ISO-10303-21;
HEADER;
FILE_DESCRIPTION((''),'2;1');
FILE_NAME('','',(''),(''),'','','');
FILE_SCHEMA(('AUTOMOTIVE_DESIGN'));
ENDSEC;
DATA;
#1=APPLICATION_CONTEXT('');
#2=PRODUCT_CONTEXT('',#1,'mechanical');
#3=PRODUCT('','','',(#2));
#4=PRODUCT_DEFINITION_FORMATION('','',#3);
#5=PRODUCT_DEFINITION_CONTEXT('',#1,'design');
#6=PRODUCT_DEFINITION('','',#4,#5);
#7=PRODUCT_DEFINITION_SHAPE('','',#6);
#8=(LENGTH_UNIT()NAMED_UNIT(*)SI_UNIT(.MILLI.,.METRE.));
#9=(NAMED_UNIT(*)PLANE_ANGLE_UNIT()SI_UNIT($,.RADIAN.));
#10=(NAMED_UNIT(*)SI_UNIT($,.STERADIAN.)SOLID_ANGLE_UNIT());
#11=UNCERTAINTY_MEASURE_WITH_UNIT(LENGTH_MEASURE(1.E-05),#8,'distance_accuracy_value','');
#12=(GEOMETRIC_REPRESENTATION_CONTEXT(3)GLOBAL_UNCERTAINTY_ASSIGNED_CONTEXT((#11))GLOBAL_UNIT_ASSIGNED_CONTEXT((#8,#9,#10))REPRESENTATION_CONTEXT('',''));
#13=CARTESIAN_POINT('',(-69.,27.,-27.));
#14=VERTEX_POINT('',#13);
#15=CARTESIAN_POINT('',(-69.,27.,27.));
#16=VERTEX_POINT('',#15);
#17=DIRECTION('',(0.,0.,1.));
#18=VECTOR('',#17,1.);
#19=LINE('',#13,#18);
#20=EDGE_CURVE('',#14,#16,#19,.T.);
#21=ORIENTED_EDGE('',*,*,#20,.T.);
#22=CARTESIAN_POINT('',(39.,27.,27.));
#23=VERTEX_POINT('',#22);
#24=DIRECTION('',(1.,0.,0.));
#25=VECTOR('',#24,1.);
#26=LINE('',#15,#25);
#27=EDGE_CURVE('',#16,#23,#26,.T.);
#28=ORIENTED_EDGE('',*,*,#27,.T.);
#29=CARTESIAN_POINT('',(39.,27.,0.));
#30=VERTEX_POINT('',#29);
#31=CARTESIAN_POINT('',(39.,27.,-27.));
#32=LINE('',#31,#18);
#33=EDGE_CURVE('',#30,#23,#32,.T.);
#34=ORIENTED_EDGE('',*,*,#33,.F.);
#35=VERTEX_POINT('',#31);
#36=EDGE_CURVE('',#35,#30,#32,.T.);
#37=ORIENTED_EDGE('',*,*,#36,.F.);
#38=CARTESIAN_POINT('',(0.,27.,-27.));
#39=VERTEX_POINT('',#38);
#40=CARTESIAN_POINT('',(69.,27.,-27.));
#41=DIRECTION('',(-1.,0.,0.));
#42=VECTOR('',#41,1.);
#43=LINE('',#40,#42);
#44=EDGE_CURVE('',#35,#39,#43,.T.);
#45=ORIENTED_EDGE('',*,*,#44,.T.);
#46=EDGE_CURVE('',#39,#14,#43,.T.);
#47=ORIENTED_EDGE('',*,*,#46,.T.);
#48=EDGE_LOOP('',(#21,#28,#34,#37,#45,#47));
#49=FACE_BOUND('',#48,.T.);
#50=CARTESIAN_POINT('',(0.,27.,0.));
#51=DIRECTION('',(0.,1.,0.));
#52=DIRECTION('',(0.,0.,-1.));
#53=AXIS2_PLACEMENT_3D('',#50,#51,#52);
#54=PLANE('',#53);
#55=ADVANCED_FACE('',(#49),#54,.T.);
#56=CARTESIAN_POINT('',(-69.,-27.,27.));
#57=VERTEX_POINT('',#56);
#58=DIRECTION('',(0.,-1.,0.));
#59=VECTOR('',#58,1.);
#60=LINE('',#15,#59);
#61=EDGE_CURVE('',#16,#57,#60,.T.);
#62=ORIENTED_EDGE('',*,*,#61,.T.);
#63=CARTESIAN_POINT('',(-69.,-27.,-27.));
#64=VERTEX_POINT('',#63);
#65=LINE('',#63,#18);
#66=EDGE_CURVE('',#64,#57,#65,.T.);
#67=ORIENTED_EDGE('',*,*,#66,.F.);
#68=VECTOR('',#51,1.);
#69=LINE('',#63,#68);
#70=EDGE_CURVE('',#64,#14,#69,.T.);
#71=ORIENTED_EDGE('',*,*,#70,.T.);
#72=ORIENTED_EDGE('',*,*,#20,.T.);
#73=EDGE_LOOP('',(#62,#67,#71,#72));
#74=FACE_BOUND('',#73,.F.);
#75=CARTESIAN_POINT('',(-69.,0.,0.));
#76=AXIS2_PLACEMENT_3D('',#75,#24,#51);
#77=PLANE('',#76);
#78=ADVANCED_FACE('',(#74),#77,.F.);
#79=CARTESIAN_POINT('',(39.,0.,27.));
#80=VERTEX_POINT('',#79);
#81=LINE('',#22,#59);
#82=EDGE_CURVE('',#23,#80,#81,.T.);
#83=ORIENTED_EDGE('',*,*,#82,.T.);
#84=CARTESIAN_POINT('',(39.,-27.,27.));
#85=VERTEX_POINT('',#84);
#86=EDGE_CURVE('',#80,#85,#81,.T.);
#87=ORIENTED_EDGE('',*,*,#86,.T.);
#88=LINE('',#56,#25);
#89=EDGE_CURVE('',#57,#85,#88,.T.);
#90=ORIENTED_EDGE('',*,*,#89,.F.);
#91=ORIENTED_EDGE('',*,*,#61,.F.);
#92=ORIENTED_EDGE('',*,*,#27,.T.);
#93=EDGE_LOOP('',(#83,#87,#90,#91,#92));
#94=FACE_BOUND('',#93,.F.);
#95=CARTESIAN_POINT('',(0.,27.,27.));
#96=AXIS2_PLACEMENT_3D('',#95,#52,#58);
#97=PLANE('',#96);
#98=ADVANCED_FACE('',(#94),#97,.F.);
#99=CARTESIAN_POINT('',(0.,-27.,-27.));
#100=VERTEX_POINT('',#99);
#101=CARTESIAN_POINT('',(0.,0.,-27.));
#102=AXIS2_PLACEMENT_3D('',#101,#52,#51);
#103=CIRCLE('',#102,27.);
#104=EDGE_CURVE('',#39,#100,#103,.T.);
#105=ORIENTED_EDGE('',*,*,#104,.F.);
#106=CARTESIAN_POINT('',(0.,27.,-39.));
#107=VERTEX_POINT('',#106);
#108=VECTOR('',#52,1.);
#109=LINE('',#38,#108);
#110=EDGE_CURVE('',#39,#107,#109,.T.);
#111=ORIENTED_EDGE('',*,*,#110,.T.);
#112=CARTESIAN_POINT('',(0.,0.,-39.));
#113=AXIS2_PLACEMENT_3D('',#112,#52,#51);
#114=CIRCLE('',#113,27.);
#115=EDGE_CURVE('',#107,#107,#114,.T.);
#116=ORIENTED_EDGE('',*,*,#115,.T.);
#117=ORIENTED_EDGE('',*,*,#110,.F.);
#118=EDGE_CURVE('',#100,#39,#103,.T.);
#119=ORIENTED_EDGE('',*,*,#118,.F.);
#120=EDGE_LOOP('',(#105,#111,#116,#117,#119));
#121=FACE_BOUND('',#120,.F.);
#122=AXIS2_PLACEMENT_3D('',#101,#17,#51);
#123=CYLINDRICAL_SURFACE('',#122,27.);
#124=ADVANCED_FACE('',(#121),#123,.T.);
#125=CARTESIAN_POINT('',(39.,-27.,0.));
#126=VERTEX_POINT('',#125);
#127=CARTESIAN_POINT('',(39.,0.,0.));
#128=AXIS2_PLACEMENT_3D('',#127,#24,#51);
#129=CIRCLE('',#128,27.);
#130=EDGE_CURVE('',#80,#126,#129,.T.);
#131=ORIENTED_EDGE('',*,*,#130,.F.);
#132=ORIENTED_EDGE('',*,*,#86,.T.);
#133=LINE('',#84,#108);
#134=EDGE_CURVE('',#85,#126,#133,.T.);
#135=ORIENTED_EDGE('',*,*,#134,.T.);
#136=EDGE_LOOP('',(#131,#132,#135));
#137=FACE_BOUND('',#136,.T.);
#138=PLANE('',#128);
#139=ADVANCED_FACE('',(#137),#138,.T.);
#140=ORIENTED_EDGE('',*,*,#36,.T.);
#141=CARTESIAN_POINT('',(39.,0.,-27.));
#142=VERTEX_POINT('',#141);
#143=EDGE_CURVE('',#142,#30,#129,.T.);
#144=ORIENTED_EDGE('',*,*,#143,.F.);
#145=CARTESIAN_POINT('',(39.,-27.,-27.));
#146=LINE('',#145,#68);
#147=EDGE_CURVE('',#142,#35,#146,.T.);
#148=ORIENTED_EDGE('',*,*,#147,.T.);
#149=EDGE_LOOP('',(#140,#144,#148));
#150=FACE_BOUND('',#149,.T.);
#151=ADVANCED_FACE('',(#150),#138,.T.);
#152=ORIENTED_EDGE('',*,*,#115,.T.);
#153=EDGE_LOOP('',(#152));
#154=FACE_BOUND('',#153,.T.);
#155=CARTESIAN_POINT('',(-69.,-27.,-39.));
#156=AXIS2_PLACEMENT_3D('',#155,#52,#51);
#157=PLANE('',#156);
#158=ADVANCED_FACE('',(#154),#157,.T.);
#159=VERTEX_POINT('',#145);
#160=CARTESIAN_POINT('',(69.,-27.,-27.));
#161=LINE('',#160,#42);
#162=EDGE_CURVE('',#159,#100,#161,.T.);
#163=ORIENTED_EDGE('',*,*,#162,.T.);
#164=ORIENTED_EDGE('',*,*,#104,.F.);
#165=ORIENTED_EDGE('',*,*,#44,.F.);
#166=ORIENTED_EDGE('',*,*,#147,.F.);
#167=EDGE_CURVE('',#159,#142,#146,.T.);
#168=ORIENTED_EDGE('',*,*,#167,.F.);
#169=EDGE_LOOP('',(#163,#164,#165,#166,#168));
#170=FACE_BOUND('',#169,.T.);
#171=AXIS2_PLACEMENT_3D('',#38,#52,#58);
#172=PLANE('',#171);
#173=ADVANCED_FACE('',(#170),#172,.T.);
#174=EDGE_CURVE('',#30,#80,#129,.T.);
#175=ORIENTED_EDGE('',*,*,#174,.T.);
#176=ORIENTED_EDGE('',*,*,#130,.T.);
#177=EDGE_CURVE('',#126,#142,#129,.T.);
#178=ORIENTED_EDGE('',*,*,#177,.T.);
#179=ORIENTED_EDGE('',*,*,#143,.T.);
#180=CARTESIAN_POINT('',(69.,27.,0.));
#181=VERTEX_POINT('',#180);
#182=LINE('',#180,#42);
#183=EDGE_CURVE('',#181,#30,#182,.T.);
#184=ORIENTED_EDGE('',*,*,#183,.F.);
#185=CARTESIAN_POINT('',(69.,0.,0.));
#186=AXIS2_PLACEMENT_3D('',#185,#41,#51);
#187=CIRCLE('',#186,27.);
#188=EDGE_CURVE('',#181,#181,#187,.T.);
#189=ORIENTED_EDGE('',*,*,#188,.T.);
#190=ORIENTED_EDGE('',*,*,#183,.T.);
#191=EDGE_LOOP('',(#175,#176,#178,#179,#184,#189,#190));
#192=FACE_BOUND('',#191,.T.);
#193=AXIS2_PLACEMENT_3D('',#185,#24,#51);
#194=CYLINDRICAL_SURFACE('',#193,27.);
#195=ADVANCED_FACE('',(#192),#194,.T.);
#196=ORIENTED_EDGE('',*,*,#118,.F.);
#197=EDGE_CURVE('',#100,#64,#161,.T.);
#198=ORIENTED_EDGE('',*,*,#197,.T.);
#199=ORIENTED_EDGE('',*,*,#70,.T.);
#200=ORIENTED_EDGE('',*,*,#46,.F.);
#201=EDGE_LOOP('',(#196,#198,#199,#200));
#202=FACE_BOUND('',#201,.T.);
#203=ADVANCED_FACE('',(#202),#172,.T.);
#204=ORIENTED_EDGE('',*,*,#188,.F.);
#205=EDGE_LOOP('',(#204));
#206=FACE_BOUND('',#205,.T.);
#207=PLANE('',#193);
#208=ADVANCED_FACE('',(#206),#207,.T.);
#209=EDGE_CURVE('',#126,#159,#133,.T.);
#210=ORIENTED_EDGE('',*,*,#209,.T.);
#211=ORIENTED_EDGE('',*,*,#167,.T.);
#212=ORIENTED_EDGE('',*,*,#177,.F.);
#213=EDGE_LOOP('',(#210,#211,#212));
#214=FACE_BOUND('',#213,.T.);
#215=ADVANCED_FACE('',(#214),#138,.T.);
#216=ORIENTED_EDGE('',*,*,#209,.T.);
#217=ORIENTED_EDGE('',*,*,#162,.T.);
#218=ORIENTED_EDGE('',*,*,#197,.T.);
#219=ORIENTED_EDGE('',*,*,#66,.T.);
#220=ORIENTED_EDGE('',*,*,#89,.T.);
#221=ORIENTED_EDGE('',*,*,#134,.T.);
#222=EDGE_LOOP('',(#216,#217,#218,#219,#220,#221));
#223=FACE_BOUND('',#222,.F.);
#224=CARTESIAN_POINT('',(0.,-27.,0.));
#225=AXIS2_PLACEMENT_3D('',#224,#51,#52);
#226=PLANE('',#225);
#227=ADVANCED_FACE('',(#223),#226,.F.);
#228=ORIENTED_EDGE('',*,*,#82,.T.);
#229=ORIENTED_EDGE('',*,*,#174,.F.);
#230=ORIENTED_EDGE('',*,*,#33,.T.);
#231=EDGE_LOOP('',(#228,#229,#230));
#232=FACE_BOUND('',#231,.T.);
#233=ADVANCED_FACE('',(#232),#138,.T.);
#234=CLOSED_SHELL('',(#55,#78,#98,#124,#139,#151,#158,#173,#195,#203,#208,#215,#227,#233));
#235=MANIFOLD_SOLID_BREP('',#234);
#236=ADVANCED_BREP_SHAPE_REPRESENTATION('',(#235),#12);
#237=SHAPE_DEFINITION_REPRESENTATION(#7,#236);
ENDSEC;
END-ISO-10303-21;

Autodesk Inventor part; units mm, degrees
ref_plane "YZ Plane" through (0, 0, 0) normal (1, 0, 0) x (0, 1, 0)
ref_plane "XZ Plane" through (0, 0, 0) normal (0, 1, 0) x (-1, 0, 0)
ref_plane "XY Plane" through (0, 0, 0) normal (0, 0, 1) x (1, 0, 0)
sketch "Sketch1" plane through (0, 0, 0) normal (0, 0, 1) x (1, 0, 0)
  line L0 (0, 0) -> (27, 0) construction
  line L1 (27, 0) -> (27, 27)
  line L2 (27, 27) -> (0, 27)
  line L3 (0, 27) -> (0, 0) construction
  line L4 (-27, 0) -> (-27, 27)
  line L5 (-27, 27) -> (0, 27)
  line L6 (27, 0) -> (27, -27)
  line L7 (27, -27) -> (0, -27)
  line L8 (-27, -27) -> (0, -27)
  line L9 (-27, 0) -> (-27, -27)
  dimension "d0" = 27
extrude "Extrusion1" add sketch "Sketch1" along normal mid plane 138
sketch "Sketch2" plane through (0, 0, 69) normal (0, 0, 1) x (1, 0, 0)
  line L0 (27, -27) -> (27, 27) projected
  line L1 (27, 27) -> (-27, 27) projected
  line L2 (-27, 27) -> (-27, -27) projected
  line L3 (-27, -27) -> (27, -27) projected
  circle A0 centre (0, 0) radius 27
extrude "Extrusion2" cut sketch "Sketch2" against normal blind 30 contours L3 A0 L0 | A0 L1 L0 | L3 L2 A0 | A0 L2 L1
sketch "Sketch3" plane through (-27, -27, -69) normal (0, -1, 0) x (1, 0, 0)
  line L0 (54, 108) -> (54, 0) projected
  circle A0 centre (27, 69) radius 27
extrude "Extrusion3" add sketch "Sketch3" along normal blind 12
move or copy body "Move Body1" bodies to move or copy 1 copy no rotation origin (0, 0, 0) rotation axis (1, 0, 0) rotation angle 90
move or copy body "Move Body2" bodies to move or copy 1 copy no rotation origin (0, 0, 0) rotation axis (0, 0, 1) rotation angle 90
properties part number "Sholder_Roll"
